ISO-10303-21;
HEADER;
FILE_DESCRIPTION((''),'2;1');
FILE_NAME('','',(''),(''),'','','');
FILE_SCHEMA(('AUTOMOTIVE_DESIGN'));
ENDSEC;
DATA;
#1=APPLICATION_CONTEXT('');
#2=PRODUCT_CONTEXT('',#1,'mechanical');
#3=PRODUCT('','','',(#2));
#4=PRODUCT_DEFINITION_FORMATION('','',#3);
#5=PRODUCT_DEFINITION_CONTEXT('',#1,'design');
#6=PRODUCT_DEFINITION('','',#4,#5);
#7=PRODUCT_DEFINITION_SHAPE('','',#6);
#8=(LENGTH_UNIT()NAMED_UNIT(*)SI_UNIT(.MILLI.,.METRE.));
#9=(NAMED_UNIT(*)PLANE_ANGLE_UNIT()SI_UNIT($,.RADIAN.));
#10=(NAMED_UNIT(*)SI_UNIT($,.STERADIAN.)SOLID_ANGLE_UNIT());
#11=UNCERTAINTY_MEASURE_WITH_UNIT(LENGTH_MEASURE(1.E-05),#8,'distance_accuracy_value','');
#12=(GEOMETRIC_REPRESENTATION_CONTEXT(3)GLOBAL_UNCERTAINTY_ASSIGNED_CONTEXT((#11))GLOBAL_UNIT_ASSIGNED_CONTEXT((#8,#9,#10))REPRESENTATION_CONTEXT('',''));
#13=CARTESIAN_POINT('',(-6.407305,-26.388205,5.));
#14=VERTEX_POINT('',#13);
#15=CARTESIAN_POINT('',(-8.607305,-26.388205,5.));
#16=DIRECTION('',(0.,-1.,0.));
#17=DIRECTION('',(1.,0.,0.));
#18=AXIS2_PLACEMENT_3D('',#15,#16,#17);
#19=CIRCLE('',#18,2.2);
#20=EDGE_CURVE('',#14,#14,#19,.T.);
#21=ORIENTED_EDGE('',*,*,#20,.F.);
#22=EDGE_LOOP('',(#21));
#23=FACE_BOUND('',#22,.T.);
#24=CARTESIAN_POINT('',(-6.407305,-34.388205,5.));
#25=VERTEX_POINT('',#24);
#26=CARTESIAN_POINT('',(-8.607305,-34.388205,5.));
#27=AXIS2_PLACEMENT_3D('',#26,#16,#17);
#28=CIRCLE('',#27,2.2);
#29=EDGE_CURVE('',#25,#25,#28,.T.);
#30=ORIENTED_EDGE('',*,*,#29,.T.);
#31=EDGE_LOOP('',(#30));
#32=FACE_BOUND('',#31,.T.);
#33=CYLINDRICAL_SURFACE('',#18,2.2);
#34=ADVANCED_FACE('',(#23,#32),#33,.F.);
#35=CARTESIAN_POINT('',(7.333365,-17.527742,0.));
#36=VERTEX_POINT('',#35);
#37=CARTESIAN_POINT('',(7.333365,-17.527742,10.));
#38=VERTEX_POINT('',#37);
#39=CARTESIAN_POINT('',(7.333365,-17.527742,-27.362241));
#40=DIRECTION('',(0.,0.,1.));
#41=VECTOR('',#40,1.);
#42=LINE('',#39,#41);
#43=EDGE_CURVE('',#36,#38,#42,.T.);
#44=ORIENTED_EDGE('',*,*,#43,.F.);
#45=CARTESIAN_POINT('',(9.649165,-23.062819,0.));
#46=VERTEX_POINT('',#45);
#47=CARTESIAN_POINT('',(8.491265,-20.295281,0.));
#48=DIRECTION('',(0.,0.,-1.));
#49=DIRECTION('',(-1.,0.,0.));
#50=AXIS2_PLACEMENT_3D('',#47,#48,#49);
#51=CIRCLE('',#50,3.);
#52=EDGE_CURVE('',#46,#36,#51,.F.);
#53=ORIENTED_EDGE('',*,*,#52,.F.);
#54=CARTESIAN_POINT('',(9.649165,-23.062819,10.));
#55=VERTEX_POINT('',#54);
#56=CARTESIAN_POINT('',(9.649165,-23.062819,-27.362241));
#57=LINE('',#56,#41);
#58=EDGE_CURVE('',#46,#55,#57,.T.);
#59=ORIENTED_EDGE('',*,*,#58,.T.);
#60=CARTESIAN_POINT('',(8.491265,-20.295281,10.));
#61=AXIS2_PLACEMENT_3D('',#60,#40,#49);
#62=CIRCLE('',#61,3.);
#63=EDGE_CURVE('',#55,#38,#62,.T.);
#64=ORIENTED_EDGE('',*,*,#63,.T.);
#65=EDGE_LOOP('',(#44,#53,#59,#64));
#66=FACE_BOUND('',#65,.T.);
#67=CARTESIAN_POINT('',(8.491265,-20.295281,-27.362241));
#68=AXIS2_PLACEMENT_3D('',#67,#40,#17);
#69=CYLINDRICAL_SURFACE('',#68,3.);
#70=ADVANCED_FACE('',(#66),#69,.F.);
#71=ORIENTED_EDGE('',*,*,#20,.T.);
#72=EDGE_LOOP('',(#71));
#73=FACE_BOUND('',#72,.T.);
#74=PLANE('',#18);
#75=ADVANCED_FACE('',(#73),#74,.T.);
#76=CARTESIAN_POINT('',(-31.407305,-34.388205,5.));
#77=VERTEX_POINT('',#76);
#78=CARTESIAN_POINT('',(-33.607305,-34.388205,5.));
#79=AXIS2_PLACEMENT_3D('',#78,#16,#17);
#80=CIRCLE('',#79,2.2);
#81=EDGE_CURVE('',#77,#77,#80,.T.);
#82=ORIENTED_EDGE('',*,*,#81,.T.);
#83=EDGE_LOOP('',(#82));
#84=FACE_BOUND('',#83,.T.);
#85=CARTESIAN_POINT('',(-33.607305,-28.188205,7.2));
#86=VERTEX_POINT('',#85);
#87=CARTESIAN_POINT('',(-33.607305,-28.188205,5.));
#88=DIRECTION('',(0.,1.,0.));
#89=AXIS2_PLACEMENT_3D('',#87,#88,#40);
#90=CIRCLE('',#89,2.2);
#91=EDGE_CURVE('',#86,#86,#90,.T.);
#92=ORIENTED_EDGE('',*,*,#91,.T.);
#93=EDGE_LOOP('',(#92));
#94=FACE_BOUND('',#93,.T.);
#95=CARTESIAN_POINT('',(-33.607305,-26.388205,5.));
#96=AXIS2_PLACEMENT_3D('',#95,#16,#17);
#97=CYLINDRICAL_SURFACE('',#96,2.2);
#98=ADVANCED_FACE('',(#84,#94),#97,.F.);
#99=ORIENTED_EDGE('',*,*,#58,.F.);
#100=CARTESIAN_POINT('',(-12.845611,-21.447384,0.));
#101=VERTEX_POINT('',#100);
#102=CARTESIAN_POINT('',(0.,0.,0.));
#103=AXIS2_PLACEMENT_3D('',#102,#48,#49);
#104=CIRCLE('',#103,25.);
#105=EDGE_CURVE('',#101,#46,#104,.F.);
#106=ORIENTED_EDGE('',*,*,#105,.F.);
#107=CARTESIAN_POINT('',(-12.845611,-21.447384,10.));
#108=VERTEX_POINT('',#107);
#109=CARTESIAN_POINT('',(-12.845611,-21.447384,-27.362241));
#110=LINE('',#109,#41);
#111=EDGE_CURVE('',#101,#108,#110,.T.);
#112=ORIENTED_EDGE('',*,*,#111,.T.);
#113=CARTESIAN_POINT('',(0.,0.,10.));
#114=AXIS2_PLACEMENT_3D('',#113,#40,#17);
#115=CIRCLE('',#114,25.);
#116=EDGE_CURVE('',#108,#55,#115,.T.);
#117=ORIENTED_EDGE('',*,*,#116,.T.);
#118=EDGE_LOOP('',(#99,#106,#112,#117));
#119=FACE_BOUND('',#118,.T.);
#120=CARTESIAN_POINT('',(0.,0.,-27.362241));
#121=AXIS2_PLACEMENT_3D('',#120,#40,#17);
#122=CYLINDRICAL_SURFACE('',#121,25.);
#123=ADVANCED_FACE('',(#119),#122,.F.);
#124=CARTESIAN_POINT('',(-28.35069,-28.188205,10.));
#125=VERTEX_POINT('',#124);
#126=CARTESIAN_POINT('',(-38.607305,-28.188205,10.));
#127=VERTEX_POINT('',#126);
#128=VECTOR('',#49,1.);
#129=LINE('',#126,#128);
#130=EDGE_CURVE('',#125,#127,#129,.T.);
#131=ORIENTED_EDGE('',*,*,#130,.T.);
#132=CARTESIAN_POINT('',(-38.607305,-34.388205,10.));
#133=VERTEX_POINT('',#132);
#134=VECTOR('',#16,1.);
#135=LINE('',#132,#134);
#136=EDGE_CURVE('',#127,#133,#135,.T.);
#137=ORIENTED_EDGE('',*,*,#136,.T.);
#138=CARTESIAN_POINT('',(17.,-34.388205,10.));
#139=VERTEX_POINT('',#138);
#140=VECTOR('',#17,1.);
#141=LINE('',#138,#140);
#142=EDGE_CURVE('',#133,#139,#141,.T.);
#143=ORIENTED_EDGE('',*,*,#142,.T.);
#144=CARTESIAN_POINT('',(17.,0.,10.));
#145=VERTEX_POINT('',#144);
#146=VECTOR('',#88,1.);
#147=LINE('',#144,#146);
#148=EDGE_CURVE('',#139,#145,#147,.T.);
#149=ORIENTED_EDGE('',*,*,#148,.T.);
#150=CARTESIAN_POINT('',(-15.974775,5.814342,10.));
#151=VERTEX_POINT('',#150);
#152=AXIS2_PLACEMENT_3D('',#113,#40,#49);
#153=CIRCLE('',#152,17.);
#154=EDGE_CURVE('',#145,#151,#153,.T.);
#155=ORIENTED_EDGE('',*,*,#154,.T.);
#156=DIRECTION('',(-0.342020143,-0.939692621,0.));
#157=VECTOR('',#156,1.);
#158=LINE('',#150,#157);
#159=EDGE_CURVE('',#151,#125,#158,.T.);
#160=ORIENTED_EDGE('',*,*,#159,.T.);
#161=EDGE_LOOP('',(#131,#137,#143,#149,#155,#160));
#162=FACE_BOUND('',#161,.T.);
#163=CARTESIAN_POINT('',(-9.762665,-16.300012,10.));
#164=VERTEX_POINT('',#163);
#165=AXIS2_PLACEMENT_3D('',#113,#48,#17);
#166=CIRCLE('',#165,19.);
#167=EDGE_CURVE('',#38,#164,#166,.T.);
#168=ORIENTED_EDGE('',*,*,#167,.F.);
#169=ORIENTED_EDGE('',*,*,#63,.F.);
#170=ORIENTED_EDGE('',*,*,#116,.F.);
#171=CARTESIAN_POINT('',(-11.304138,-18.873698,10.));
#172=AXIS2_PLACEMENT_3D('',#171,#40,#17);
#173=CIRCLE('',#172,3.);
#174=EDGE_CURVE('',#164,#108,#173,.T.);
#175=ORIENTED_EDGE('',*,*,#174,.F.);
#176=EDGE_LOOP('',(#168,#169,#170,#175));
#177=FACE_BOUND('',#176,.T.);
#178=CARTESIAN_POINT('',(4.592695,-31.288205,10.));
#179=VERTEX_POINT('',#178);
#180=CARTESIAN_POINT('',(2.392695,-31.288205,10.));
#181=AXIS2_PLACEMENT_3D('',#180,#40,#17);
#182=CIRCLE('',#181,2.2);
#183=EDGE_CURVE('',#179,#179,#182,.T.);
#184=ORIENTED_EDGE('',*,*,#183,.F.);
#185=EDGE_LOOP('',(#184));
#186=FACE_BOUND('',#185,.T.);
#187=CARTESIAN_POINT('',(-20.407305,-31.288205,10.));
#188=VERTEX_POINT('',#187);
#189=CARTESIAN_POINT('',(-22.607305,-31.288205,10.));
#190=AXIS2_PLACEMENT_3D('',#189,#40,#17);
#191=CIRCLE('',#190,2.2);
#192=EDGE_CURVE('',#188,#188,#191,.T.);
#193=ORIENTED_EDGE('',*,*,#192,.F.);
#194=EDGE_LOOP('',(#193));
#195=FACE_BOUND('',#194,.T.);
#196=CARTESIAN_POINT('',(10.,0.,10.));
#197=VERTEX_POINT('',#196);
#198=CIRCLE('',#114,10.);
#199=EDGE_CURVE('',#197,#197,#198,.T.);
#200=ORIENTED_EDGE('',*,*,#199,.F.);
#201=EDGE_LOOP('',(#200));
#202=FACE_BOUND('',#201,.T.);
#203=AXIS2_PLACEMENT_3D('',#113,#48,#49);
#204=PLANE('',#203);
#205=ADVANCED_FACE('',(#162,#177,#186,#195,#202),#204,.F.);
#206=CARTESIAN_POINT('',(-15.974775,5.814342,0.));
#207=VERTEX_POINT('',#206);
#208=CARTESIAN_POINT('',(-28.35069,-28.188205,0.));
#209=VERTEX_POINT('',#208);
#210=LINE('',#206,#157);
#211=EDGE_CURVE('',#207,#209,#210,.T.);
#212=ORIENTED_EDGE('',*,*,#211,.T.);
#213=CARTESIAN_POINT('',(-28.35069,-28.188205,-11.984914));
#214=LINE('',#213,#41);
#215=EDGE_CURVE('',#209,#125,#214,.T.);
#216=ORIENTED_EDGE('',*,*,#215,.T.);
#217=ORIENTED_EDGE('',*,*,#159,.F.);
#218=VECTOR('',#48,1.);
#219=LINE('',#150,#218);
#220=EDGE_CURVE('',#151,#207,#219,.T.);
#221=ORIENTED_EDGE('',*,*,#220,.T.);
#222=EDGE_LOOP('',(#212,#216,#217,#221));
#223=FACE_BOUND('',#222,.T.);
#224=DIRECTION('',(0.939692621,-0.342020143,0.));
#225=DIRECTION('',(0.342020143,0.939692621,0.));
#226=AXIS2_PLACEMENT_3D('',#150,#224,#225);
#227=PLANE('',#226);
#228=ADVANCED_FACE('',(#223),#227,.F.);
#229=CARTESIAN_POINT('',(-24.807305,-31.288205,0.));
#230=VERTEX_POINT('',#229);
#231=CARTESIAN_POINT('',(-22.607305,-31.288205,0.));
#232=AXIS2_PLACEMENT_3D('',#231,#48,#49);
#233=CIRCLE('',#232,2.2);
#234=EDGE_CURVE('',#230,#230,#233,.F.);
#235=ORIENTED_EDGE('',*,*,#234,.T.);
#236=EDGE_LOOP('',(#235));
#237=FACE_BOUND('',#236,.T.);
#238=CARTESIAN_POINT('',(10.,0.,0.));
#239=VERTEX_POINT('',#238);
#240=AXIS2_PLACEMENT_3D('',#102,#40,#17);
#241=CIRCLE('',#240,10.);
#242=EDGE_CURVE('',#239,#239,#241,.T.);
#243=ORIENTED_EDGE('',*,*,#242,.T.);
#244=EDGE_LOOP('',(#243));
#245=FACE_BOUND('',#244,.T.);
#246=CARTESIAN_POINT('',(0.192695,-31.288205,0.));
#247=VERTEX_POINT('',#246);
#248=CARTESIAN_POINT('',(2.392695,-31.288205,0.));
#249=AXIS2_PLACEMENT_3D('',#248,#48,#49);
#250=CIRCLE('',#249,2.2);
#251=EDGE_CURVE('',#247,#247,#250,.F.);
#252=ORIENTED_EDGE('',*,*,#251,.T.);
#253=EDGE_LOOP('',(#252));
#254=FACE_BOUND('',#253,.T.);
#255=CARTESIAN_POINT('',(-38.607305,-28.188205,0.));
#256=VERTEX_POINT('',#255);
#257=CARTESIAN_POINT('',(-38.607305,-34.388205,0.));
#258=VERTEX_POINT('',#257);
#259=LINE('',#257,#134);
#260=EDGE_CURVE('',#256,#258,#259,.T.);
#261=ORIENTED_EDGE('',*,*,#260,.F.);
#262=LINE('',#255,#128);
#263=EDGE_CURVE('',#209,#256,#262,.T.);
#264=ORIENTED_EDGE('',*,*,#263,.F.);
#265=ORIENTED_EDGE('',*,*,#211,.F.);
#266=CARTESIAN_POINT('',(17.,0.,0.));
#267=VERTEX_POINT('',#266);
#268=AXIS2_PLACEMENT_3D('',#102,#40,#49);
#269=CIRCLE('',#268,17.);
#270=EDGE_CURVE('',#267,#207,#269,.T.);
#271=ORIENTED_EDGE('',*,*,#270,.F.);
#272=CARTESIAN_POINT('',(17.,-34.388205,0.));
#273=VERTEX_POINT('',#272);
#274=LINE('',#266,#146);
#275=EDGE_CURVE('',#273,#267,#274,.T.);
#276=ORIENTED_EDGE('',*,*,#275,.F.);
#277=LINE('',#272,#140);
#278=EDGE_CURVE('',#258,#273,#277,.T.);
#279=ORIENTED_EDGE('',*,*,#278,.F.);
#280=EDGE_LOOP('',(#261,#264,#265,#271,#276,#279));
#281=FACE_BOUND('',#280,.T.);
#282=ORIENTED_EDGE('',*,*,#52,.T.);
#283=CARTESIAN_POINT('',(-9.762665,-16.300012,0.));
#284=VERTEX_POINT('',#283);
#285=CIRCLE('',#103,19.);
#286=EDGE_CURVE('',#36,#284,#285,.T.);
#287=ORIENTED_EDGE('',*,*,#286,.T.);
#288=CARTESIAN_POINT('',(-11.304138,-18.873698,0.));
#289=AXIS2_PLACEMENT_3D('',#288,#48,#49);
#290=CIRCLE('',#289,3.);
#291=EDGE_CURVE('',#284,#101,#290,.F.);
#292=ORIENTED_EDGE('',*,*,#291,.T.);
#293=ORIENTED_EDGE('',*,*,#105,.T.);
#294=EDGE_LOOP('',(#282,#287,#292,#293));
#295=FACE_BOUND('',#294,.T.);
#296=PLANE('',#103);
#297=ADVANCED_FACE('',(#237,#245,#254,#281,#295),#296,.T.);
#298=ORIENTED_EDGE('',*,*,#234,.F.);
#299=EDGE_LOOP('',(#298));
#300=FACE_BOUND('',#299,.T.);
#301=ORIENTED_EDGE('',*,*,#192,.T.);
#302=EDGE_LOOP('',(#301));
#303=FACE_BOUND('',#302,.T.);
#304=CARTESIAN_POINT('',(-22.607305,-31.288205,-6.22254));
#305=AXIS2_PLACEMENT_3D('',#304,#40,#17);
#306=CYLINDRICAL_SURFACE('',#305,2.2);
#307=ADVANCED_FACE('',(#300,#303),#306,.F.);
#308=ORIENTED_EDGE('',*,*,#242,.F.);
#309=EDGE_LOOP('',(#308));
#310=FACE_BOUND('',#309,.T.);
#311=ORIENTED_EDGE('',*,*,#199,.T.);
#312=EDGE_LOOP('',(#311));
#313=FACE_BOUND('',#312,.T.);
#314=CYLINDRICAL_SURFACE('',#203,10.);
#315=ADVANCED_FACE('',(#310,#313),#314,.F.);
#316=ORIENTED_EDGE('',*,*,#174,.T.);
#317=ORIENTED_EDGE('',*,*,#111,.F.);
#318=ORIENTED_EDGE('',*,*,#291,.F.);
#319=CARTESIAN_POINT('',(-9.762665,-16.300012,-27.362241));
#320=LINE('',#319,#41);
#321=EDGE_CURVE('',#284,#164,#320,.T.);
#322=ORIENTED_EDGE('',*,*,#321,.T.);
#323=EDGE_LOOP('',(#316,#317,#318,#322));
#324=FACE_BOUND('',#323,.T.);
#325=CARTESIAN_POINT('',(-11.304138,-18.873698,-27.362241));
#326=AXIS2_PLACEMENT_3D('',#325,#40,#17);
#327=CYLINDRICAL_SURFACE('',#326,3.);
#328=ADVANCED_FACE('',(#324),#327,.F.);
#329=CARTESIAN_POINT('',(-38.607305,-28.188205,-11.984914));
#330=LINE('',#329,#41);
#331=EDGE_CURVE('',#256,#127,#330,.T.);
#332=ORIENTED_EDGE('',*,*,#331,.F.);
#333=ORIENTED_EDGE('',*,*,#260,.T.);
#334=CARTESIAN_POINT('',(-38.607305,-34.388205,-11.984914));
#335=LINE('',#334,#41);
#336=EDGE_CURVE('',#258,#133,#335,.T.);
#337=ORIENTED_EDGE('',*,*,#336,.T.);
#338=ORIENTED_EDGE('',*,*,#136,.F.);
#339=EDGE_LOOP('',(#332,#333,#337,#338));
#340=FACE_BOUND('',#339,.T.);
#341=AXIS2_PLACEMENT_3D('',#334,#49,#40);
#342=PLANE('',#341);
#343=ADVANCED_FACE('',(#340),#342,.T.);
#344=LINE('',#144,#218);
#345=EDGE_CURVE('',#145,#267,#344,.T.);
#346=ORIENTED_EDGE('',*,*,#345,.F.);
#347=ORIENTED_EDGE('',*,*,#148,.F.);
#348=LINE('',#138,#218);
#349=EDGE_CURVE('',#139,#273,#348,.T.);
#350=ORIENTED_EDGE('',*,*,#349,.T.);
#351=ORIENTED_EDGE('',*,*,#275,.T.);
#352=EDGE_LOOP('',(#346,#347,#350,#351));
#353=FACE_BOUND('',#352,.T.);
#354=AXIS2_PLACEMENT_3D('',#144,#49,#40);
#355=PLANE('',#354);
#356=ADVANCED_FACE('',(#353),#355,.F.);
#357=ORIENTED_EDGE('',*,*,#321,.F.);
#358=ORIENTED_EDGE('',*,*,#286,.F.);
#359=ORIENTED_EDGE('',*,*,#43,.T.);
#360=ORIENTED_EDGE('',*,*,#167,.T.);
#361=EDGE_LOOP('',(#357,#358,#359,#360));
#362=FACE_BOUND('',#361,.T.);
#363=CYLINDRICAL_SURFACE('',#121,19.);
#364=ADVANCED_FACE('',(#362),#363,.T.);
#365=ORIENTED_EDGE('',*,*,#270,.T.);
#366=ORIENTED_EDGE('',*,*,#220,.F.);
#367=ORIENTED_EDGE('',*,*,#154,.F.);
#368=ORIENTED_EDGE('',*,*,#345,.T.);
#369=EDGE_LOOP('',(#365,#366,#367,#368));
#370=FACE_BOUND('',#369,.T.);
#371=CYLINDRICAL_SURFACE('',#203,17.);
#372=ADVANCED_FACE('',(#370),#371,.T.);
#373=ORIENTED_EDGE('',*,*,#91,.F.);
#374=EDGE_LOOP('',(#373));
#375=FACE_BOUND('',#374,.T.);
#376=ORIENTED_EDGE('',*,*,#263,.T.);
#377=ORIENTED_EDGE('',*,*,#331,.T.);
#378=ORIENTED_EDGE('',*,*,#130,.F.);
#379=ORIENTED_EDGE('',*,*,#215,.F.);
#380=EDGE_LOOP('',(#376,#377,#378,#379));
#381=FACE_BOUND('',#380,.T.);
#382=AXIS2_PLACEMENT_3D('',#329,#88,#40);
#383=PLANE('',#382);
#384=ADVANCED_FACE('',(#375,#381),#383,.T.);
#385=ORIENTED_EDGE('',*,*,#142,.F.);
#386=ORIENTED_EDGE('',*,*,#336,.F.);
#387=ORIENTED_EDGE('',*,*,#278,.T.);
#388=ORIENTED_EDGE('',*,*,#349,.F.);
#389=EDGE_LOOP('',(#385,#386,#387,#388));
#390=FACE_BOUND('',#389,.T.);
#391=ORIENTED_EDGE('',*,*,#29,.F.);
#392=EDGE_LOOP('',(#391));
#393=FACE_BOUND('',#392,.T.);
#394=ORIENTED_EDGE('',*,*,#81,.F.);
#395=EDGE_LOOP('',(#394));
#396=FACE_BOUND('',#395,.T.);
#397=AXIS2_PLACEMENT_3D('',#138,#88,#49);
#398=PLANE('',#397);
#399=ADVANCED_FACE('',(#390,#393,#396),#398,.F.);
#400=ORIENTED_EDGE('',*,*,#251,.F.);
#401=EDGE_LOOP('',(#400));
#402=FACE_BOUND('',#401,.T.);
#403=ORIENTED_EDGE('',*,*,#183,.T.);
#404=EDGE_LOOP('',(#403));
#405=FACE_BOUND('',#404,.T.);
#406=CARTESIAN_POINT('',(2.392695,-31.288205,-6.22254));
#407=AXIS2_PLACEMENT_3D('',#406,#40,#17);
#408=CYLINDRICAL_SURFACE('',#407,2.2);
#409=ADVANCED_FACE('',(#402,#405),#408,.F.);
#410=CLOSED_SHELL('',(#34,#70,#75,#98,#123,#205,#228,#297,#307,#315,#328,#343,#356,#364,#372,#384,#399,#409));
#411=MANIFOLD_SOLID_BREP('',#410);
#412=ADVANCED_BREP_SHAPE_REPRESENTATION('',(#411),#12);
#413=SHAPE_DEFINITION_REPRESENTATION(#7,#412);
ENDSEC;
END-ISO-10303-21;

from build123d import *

# Parameters (mm, degrees)
SKETCH1_R           = 10
EXTRUDE_3_8_DEPTH   = 10
CUT_EXTRUDE2_DEPTH  = 10
BOSS_EXTRUDE2_DEPTH = 10
SKETCH5_R           = 2.2
M5_DRILL_DEPTH      = 8
SKETCH7_R           = 2.2
M4_THROUGH2_DEPTH   = 10


with BuildPart() as part:
    # Sketch1 → 3/8 (new body)
    with BuildSketch(Plane.XY):
        with BuildLine():
            Line((17, 0), (17, -34.388204953))
            Line((17, -34.388204953), (-30.607305145, -34.388204953))
            Line((-30.607305145, -34.388204953), (-15.974774553, 5.814342437))
            ThreePointArc((-15.974774553, 5.814342437), (2.95201902, 16.741731801), (17, 0))
        make_face()
        Circle(SKETCH1_R, mode=Mode.SUBTRACT)
    extrude(amount=EXTRUDE_3_8_DEPTH)

    # Sketch4 → Cut-Extrude2 (cut)
    with BuildSketch(Plane.XY.offset(10)):
        with BuildLine():
            ThreePointArc((-9.762664623, -16.30001164), (-1.360957212, -18.951195093), (7.333365278, -17.527742402))
            ThreePointArc((7.333365278, -17.527742402), (11.258803332, -19.137380895), (9.649164839, -23.06281895))
            ThreePointArc((9.649164839, -23.06281895), (-1.790733174, -24.935783018), (-12.845611346, -21.447383737))
            ThreePointArc((-12.845611346, -21.447383737), (-13.877824033, -17.332224327), (-9.762664623, -16.30001164))
        make_face()
    extrude(amount=-CUT_EXTRUDE2_DEPTH, mode=Mode.SUBTRACT)

    # Sketch6 → Boss-Extrude2 (add)
    with BuildSketch(Plane.XY.offset(10)):
        Polygon((-30.607305145, -34.388204953), (-38.607305145, -34.388204953), (-38.607305145, -28.188204953), (-28.350689692, -28.188204953), align=None)
    extrude(amount=-BOSS_EXTRUDE2_DEPTH)

    # Sketch5 → M5_DRILL (cut)
    with BuildSketch(Plane.XZ.offset(34.388204953)):
        with Locations((-33.607305145, 5)):
            Circle(SKETCH5_R)
        with Locations((-8.607305145, 5)):
            Circle(SKETCH5_R)
    extrude(amount=-M5_DRILL_DEPTH, mode=Mode.SUBTRACT)

    # Sketch7 → M4_through2 (cut)
    with BuildSketch(Plane.XY.offset(10)):
        with Locations((-22.607305145, -31.288204953)):
            Circle(SKETCH7_R)
        with Locations((2.392694855, -31.288204953)):
            Circle(SKETCH7_R)
    extrude(amount=-M4_THROUGH2_DEPTH, mode=Mode.SUBTRACT)


solid = part.part
